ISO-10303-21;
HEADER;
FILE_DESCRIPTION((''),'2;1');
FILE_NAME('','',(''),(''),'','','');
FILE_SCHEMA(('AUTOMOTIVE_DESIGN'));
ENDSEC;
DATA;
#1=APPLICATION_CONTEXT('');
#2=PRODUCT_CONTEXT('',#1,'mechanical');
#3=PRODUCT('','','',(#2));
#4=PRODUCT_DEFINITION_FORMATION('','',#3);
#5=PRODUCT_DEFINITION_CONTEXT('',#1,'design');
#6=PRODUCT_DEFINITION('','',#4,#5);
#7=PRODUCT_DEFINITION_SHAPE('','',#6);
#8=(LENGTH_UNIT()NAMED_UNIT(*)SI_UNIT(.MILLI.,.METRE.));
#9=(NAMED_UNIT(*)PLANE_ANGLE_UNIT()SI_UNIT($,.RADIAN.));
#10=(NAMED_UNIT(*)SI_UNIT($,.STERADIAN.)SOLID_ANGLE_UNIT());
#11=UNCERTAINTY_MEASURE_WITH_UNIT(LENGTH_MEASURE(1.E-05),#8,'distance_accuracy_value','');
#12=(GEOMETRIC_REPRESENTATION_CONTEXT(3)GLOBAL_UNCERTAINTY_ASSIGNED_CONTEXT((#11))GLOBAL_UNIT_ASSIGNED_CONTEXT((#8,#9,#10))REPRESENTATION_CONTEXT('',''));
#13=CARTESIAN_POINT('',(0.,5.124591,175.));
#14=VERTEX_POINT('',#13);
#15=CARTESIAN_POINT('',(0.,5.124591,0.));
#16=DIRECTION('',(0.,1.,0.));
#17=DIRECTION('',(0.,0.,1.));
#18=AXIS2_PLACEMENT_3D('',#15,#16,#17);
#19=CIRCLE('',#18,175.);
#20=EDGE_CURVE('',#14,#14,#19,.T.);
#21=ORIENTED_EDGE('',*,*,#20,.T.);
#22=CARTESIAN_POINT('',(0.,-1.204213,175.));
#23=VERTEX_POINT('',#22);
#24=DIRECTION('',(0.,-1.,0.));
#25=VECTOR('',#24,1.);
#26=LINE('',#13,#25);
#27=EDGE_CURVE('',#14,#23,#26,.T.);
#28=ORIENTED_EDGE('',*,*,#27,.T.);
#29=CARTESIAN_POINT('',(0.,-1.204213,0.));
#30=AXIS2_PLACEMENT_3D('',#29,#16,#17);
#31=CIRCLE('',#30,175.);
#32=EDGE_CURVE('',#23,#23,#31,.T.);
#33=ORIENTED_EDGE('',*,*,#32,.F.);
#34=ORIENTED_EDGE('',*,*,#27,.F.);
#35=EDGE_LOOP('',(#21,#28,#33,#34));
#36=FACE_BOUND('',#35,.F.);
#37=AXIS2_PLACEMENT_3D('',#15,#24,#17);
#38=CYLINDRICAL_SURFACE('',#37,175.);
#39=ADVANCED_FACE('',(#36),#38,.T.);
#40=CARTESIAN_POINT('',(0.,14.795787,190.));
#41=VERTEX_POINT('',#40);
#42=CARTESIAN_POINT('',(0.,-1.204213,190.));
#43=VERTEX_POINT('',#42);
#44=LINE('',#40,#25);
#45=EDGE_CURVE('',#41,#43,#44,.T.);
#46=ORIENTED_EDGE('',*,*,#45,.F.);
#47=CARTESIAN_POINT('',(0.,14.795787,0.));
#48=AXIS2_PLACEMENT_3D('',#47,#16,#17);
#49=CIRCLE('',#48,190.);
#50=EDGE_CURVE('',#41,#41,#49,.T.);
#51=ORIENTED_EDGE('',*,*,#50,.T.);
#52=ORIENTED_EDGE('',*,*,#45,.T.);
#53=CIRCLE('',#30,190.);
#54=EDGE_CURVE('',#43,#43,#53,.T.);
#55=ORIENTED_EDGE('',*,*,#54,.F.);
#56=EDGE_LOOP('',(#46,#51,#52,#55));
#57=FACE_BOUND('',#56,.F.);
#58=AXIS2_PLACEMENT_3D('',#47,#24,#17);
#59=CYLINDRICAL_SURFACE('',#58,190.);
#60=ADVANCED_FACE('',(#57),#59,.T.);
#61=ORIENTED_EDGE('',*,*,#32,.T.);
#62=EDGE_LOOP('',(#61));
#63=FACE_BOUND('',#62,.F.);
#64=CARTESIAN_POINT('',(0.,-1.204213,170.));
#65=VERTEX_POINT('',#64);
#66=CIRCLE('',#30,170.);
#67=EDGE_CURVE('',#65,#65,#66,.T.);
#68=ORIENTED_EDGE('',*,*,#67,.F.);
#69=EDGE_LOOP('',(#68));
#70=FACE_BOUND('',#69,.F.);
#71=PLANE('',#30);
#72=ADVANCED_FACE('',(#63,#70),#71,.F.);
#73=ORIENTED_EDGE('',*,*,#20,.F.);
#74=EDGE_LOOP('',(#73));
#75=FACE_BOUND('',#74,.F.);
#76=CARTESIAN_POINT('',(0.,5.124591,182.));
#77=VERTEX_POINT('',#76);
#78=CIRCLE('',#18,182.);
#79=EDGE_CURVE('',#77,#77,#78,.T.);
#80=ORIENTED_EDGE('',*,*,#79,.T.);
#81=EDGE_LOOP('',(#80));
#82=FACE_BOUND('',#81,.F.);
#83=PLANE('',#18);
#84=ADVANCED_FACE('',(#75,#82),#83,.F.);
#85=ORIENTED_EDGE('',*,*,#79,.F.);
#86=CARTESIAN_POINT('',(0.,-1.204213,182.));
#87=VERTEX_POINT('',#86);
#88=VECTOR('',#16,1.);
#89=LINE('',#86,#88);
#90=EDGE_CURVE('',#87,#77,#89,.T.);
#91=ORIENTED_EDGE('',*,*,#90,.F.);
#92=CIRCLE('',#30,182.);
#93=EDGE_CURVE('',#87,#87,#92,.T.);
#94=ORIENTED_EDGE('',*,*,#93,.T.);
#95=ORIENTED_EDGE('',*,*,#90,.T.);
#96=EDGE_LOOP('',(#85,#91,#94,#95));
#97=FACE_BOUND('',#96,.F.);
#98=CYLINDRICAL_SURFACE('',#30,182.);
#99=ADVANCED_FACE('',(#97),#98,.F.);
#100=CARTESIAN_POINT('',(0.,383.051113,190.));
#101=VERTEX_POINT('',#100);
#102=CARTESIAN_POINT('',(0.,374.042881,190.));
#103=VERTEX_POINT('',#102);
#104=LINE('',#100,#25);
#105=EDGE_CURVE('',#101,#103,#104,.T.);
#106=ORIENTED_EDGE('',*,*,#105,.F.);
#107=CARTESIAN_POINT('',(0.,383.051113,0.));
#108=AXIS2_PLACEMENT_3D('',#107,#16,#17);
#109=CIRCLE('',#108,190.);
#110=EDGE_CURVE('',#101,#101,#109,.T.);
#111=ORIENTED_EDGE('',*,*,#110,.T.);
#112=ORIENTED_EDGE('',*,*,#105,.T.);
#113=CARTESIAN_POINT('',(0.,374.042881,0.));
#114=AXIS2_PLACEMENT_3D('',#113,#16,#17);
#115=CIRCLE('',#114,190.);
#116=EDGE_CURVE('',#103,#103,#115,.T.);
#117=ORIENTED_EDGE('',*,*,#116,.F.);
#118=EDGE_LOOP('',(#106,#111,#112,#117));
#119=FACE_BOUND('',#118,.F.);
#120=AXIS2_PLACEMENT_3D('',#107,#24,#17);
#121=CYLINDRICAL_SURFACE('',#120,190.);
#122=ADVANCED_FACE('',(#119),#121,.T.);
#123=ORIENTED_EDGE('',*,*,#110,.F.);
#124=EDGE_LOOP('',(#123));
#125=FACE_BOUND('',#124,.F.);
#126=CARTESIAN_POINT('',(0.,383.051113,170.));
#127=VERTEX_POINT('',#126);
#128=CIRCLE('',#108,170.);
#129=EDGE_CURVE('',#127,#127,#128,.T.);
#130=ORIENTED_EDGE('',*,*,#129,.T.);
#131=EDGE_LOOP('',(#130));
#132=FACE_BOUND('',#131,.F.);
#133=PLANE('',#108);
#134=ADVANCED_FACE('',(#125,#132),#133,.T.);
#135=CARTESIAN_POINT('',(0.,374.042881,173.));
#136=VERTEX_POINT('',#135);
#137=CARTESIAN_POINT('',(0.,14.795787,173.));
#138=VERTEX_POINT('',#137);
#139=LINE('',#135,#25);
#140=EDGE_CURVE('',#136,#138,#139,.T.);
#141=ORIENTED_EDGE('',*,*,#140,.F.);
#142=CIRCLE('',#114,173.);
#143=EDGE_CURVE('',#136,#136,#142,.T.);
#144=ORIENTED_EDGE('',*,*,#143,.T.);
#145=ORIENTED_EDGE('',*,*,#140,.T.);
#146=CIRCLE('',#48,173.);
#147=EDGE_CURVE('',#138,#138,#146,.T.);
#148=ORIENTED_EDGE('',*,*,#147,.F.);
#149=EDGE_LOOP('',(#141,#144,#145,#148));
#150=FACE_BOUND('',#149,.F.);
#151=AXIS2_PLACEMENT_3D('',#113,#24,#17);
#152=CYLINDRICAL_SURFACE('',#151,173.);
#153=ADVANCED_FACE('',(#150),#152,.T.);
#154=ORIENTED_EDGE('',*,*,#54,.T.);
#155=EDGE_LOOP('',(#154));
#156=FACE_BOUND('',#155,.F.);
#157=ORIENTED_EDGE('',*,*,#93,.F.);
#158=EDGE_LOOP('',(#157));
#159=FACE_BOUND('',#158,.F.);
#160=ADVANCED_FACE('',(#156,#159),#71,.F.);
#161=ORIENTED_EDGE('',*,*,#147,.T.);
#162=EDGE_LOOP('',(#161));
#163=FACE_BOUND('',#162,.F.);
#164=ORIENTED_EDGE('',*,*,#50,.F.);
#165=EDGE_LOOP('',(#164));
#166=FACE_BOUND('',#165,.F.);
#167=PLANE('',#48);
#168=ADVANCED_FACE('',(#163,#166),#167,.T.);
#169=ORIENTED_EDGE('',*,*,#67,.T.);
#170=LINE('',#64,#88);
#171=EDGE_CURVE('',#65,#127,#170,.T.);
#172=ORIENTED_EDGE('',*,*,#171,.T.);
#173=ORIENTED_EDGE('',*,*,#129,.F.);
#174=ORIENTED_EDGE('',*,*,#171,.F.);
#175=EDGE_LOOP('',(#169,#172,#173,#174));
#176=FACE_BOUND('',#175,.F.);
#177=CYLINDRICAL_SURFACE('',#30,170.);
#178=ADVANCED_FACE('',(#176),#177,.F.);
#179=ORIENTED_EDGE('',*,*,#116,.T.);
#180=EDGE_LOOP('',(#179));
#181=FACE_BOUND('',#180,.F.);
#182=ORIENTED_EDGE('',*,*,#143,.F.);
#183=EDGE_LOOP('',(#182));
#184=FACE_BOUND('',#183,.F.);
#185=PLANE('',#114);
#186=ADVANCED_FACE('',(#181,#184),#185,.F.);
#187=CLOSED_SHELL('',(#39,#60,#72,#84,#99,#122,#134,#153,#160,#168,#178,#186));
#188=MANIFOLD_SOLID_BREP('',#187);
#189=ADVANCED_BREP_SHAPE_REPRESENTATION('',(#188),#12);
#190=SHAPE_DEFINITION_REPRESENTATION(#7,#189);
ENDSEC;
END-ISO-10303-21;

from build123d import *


with BuildPart() as f1:
    # F0 (on Right) → F1 (revolve)
    with BuildSketch(Plane.YZ):
        Polygon((14.795787, 190), (-1.204213, 190), (-1.204213, 182), (5.124591, 182), (5.124591, 175), (-1.204213, 175), (-1.204213, 170), (14.795787, 170), (14.795787, 173), align=None)
        Polygon((374.042881, 173), (14.795787, 173), (14.795787, 170), (383.051113, 170), (383.051113, 190), (374.042881, 190), align=None)
    revolve(axis=Axis((0, 170.682043, 0), (0, 1, 0)))


solid = f1.part
